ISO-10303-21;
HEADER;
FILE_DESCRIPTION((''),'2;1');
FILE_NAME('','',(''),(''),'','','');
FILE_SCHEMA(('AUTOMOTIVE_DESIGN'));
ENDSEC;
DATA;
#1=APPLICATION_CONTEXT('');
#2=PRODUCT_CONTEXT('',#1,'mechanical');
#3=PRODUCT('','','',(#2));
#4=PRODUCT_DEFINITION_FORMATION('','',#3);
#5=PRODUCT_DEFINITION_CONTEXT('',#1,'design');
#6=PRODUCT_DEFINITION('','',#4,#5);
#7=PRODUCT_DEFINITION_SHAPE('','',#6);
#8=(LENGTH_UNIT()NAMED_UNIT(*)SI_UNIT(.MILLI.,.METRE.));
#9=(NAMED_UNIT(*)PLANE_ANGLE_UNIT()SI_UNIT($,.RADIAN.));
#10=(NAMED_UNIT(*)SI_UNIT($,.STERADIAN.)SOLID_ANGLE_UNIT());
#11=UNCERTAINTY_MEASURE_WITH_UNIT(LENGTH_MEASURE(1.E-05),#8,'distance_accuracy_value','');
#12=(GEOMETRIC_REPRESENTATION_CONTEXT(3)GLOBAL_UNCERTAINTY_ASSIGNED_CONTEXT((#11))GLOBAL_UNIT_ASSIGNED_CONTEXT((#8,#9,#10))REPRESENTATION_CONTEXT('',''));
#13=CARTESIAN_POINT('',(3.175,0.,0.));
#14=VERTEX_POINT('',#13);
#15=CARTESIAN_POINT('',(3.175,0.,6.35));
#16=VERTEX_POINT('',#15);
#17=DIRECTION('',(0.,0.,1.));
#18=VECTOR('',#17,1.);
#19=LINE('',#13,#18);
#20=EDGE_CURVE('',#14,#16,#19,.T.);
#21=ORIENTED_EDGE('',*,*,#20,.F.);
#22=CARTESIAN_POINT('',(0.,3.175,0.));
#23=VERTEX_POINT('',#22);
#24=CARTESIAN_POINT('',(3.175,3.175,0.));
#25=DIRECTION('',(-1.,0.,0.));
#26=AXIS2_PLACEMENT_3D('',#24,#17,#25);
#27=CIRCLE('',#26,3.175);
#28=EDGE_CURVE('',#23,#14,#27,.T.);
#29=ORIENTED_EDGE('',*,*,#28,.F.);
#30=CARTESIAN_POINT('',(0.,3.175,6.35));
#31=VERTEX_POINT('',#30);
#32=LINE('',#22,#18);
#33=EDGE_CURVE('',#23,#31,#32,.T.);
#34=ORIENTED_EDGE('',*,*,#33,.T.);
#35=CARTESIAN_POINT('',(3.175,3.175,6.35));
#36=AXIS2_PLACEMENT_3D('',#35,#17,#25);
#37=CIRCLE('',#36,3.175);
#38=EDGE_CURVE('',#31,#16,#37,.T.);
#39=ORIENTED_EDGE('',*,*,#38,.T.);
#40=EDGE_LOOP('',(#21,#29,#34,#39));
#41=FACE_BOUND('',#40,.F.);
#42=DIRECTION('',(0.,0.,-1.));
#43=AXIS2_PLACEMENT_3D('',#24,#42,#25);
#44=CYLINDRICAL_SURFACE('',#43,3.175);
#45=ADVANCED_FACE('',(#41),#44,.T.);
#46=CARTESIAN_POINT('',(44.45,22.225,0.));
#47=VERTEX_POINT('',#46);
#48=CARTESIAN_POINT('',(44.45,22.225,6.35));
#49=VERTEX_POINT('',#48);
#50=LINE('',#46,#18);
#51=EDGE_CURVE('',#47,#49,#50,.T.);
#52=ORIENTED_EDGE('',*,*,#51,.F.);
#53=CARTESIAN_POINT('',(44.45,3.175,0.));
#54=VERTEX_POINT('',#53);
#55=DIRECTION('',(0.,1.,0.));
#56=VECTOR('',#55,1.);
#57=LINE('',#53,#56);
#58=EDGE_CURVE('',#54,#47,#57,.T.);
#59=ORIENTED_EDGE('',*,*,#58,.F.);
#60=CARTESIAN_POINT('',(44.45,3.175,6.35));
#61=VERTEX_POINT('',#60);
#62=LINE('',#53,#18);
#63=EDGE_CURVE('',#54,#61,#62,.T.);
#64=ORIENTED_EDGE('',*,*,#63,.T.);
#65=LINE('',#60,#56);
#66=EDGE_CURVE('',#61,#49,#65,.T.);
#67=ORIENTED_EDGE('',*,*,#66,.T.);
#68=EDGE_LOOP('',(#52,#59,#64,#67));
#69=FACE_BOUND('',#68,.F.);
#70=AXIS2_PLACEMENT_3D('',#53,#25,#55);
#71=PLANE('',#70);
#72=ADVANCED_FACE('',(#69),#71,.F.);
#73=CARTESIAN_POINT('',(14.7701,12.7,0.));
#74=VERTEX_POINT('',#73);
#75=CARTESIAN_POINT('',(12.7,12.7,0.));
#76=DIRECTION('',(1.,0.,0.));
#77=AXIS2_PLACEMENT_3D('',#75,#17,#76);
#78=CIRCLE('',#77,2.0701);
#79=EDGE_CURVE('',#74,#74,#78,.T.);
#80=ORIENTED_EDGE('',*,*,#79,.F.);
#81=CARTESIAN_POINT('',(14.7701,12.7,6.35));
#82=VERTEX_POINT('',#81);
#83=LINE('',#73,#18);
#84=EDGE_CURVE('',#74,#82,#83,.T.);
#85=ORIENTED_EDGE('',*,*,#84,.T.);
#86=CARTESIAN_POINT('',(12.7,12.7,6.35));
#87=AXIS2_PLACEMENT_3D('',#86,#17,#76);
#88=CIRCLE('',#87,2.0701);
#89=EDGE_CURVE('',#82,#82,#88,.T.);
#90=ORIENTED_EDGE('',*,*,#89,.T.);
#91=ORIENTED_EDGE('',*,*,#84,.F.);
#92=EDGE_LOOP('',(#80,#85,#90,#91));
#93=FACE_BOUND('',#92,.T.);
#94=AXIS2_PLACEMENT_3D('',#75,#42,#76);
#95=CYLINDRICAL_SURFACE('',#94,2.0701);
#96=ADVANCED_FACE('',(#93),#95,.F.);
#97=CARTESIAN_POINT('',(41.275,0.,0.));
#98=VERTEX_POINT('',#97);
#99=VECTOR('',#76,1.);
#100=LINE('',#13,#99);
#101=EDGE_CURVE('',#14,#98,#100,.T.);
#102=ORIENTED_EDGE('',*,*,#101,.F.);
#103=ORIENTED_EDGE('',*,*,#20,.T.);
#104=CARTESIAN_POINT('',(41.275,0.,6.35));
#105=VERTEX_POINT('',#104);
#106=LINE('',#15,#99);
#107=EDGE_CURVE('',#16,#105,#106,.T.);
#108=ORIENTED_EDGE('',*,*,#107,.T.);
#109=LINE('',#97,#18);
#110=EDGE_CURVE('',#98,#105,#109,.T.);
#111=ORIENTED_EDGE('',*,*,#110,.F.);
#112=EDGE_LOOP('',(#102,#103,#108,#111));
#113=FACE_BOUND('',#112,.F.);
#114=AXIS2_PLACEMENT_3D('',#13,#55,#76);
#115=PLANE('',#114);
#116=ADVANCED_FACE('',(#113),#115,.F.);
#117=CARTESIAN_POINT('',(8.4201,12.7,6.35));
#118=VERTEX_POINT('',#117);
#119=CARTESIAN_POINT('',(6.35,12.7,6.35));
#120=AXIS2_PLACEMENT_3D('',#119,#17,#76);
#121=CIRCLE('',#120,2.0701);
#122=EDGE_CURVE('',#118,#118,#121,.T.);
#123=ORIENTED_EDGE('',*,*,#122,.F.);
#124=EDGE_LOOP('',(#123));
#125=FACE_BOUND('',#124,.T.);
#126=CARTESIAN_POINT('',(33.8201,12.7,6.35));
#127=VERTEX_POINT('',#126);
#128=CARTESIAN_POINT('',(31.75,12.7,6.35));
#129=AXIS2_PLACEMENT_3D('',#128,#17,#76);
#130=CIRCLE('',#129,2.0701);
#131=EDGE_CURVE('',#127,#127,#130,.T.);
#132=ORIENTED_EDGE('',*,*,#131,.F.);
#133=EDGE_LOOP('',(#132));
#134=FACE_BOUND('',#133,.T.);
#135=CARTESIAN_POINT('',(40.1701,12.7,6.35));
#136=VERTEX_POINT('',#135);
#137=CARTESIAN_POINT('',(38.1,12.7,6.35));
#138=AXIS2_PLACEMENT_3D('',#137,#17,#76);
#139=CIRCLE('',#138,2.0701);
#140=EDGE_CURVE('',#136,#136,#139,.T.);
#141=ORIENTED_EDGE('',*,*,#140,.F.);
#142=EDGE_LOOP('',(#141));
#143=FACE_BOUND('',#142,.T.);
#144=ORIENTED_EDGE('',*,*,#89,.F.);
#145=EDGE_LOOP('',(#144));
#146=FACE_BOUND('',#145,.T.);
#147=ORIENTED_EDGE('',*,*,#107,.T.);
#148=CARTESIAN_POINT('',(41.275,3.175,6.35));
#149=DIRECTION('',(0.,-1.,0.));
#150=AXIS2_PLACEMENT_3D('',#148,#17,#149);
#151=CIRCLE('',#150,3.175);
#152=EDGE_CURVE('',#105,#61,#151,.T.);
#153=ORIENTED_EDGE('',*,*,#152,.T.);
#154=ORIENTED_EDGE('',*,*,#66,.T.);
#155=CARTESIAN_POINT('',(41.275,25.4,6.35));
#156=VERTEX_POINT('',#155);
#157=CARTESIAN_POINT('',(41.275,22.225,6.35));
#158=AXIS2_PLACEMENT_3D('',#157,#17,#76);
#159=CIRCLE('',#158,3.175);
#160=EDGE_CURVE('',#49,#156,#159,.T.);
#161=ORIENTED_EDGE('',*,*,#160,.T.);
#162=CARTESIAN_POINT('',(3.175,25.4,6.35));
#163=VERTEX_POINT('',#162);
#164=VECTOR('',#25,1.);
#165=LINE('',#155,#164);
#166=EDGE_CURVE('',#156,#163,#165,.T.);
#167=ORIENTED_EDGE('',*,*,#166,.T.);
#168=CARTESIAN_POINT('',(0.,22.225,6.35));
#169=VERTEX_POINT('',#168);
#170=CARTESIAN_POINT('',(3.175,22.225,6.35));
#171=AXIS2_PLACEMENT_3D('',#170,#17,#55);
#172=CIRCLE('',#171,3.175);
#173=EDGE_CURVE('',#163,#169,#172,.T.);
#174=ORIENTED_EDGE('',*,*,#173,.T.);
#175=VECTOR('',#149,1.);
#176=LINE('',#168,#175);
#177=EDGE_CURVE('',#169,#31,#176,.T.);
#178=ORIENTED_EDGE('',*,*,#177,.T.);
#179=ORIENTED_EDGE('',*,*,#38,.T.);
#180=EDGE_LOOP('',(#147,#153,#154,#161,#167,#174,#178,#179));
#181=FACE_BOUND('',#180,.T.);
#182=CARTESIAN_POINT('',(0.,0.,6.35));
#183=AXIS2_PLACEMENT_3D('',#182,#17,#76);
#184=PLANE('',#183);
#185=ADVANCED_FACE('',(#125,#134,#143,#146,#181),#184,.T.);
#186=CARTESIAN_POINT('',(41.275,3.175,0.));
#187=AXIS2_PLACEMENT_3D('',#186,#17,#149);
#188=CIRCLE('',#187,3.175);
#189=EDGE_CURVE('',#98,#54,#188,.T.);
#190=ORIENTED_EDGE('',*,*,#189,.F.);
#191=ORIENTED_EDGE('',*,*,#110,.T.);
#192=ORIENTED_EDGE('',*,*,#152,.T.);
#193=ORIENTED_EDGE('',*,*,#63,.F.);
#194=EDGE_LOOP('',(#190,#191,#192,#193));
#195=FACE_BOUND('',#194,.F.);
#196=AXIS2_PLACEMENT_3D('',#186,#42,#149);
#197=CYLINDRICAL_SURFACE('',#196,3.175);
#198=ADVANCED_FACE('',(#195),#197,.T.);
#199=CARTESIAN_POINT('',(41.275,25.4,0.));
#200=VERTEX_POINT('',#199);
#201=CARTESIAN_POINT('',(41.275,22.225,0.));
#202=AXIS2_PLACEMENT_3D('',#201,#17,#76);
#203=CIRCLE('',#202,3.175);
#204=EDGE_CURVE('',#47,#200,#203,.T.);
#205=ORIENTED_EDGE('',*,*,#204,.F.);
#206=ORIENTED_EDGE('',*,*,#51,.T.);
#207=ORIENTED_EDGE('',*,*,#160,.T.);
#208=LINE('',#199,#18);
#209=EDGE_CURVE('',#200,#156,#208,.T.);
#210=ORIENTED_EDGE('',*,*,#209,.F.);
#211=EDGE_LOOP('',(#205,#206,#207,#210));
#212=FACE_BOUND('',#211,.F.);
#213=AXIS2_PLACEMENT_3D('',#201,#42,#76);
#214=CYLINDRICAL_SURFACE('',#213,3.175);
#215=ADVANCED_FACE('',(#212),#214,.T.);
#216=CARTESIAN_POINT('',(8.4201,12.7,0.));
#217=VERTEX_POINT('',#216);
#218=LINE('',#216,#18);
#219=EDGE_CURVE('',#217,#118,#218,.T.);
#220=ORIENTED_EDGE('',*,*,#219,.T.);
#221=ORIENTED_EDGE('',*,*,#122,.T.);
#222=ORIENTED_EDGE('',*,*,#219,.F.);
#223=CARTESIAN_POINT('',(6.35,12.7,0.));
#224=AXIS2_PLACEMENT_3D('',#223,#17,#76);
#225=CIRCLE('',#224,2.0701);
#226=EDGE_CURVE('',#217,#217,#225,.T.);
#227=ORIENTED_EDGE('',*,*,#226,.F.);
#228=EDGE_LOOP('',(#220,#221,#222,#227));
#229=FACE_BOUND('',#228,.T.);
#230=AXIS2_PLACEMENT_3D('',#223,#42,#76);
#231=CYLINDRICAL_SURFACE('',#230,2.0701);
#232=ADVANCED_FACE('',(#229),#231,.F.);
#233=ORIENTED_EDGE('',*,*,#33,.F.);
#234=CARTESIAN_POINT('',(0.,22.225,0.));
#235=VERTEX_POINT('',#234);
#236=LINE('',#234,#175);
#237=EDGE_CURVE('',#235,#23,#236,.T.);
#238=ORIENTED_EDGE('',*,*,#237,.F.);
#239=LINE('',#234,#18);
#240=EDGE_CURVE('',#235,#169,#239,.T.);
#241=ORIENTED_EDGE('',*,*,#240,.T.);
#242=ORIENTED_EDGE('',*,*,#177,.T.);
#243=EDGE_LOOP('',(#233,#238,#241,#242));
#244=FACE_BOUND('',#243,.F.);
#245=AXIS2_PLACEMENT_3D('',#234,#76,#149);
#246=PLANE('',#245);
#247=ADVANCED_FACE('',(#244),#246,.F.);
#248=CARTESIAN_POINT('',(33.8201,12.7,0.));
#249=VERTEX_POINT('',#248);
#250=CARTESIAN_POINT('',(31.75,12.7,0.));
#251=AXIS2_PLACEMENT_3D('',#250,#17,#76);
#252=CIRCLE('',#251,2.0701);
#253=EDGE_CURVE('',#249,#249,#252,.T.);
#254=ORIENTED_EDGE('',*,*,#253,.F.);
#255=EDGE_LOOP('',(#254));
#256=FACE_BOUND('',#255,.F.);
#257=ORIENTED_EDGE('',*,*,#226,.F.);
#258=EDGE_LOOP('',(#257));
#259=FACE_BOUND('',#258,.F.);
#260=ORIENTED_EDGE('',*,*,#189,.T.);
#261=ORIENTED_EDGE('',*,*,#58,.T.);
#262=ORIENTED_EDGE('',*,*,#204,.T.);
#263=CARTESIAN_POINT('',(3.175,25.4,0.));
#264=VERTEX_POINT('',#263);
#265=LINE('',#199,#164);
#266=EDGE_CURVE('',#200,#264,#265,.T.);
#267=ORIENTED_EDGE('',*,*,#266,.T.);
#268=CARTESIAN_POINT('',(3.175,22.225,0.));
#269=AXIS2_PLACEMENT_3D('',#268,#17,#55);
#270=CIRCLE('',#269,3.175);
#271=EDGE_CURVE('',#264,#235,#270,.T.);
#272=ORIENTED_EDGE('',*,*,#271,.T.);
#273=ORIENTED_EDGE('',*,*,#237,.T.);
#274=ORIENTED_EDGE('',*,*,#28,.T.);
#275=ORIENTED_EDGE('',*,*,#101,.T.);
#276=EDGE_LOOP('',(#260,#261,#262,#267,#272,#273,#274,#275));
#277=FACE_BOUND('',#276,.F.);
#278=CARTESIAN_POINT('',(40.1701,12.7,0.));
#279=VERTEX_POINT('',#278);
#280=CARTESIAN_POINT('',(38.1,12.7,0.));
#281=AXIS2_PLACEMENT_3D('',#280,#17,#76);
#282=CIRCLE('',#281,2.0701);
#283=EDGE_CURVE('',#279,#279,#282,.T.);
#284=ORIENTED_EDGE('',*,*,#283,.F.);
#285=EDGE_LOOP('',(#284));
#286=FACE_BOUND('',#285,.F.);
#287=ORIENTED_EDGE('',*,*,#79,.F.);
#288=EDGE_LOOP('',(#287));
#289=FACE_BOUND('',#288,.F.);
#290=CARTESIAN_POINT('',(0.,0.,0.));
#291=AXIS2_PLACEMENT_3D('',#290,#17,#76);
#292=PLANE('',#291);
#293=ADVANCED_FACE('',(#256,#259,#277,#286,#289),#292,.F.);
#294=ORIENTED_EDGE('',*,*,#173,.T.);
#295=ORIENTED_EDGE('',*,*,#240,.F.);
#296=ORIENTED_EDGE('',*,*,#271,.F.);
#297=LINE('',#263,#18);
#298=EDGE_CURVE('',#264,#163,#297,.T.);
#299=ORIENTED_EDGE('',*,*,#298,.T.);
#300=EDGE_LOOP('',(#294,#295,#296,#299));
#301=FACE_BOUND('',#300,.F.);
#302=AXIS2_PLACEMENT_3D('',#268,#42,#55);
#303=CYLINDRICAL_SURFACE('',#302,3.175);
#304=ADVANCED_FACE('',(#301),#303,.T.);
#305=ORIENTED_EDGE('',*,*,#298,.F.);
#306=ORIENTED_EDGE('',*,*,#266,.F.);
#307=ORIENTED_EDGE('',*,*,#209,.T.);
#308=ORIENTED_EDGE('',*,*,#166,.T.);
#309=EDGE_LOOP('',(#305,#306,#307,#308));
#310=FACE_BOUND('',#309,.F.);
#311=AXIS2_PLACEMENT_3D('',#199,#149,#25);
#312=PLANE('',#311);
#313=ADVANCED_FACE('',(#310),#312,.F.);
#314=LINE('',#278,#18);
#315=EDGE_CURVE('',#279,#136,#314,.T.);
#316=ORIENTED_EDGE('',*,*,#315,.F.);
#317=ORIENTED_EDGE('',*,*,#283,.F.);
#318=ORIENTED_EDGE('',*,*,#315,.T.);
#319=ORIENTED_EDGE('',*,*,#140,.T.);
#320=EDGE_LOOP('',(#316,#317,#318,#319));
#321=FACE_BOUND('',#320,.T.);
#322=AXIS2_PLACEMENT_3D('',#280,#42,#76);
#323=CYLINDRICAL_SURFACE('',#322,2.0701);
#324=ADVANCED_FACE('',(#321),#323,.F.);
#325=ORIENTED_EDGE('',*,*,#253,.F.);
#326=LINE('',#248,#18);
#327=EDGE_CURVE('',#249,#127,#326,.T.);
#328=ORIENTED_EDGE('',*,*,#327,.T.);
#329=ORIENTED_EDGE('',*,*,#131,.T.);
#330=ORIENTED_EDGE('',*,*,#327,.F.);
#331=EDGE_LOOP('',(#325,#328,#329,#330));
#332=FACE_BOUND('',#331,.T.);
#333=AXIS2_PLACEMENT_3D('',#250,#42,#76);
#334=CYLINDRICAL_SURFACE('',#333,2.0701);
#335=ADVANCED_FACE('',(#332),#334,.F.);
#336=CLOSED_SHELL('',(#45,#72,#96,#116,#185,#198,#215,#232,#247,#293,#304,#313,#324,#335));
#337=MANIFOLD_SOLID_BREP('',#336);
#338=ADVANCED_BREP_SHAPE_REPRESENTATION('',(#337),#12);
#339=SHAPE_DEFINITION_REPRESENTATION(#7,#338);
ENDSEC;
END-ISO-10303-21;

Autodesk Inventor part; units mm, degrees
ref_plane "YZ Plane" through (0, 0, 0) normal (1, 0, 0) x (0, 1, 0)
ref_plane "XZ Plane" through (0, 0, 0) normal (0, 1, 0) x (-1, 0, 0)
ref_plane "XY Plane" through (0, 0, 0) normal (0, 0, 1) x (1, 0, 0)
sketch "Sketch1" plane through (0, 0, 0) normal (0, 0, 1) x (1, 0, 0)
  line L0 (3.175, 0) -> (41.275, 0)
  line L1 (44.45, 3.175) -> (44.45, 22.225)
  line L2 (41.275, 25.4) -> (3.175, 25.4)
  line L3 (0, 22.225) -> (0, 3.175)
  circle A0 centre (6.35, 12.7) radius 2.0701
  circle A1 centre (31.75, 12.7) radius 2.0701
  arc A2 (3.175, 25.4) -> (0, 22.225) centre (3.175, 22.225) ccw
  arc A3 (44.45, 22.225) -> (41.275, 25.4) centre (41.275, 22.225) ccw
  arc A4 (41.275, 0) -> (44.45, 3.175) centre (41.275, 3.175) ccw
  arc A5 (0, 3.175) -> (3.175, 0) centre (3.175, 3.175) ccw
  circle A6 centre (12.7, 12.7) radius 2.0701
  circle A7 centre (38.1, 12.7) radius 2.0701
  point P0 (0, 0)
  point P1 (44.45, 25.4)
  point P2 (44.45, 0)
  point P3 (0, 25.4)
  dimension "d0" = 44.45
  dimension "d1" = 25.4
  dimension "d2" = 4.1402
  dimension "d3" = 12.7
  dimension "d4" = 6.35
  dimension "d7" = 25.4
  dimension "d21" = 3.175
  dimension "d25" = 4.1402
  dimension "d26" = 12.7
  dimension "d27" = 6.35
  dimension "d30" = 25.4
extrude "Extrusion1" add sketch "Sketch1" along normal blind 6.35
properties part number "Spacer 3" material "Aluminum 6061"
